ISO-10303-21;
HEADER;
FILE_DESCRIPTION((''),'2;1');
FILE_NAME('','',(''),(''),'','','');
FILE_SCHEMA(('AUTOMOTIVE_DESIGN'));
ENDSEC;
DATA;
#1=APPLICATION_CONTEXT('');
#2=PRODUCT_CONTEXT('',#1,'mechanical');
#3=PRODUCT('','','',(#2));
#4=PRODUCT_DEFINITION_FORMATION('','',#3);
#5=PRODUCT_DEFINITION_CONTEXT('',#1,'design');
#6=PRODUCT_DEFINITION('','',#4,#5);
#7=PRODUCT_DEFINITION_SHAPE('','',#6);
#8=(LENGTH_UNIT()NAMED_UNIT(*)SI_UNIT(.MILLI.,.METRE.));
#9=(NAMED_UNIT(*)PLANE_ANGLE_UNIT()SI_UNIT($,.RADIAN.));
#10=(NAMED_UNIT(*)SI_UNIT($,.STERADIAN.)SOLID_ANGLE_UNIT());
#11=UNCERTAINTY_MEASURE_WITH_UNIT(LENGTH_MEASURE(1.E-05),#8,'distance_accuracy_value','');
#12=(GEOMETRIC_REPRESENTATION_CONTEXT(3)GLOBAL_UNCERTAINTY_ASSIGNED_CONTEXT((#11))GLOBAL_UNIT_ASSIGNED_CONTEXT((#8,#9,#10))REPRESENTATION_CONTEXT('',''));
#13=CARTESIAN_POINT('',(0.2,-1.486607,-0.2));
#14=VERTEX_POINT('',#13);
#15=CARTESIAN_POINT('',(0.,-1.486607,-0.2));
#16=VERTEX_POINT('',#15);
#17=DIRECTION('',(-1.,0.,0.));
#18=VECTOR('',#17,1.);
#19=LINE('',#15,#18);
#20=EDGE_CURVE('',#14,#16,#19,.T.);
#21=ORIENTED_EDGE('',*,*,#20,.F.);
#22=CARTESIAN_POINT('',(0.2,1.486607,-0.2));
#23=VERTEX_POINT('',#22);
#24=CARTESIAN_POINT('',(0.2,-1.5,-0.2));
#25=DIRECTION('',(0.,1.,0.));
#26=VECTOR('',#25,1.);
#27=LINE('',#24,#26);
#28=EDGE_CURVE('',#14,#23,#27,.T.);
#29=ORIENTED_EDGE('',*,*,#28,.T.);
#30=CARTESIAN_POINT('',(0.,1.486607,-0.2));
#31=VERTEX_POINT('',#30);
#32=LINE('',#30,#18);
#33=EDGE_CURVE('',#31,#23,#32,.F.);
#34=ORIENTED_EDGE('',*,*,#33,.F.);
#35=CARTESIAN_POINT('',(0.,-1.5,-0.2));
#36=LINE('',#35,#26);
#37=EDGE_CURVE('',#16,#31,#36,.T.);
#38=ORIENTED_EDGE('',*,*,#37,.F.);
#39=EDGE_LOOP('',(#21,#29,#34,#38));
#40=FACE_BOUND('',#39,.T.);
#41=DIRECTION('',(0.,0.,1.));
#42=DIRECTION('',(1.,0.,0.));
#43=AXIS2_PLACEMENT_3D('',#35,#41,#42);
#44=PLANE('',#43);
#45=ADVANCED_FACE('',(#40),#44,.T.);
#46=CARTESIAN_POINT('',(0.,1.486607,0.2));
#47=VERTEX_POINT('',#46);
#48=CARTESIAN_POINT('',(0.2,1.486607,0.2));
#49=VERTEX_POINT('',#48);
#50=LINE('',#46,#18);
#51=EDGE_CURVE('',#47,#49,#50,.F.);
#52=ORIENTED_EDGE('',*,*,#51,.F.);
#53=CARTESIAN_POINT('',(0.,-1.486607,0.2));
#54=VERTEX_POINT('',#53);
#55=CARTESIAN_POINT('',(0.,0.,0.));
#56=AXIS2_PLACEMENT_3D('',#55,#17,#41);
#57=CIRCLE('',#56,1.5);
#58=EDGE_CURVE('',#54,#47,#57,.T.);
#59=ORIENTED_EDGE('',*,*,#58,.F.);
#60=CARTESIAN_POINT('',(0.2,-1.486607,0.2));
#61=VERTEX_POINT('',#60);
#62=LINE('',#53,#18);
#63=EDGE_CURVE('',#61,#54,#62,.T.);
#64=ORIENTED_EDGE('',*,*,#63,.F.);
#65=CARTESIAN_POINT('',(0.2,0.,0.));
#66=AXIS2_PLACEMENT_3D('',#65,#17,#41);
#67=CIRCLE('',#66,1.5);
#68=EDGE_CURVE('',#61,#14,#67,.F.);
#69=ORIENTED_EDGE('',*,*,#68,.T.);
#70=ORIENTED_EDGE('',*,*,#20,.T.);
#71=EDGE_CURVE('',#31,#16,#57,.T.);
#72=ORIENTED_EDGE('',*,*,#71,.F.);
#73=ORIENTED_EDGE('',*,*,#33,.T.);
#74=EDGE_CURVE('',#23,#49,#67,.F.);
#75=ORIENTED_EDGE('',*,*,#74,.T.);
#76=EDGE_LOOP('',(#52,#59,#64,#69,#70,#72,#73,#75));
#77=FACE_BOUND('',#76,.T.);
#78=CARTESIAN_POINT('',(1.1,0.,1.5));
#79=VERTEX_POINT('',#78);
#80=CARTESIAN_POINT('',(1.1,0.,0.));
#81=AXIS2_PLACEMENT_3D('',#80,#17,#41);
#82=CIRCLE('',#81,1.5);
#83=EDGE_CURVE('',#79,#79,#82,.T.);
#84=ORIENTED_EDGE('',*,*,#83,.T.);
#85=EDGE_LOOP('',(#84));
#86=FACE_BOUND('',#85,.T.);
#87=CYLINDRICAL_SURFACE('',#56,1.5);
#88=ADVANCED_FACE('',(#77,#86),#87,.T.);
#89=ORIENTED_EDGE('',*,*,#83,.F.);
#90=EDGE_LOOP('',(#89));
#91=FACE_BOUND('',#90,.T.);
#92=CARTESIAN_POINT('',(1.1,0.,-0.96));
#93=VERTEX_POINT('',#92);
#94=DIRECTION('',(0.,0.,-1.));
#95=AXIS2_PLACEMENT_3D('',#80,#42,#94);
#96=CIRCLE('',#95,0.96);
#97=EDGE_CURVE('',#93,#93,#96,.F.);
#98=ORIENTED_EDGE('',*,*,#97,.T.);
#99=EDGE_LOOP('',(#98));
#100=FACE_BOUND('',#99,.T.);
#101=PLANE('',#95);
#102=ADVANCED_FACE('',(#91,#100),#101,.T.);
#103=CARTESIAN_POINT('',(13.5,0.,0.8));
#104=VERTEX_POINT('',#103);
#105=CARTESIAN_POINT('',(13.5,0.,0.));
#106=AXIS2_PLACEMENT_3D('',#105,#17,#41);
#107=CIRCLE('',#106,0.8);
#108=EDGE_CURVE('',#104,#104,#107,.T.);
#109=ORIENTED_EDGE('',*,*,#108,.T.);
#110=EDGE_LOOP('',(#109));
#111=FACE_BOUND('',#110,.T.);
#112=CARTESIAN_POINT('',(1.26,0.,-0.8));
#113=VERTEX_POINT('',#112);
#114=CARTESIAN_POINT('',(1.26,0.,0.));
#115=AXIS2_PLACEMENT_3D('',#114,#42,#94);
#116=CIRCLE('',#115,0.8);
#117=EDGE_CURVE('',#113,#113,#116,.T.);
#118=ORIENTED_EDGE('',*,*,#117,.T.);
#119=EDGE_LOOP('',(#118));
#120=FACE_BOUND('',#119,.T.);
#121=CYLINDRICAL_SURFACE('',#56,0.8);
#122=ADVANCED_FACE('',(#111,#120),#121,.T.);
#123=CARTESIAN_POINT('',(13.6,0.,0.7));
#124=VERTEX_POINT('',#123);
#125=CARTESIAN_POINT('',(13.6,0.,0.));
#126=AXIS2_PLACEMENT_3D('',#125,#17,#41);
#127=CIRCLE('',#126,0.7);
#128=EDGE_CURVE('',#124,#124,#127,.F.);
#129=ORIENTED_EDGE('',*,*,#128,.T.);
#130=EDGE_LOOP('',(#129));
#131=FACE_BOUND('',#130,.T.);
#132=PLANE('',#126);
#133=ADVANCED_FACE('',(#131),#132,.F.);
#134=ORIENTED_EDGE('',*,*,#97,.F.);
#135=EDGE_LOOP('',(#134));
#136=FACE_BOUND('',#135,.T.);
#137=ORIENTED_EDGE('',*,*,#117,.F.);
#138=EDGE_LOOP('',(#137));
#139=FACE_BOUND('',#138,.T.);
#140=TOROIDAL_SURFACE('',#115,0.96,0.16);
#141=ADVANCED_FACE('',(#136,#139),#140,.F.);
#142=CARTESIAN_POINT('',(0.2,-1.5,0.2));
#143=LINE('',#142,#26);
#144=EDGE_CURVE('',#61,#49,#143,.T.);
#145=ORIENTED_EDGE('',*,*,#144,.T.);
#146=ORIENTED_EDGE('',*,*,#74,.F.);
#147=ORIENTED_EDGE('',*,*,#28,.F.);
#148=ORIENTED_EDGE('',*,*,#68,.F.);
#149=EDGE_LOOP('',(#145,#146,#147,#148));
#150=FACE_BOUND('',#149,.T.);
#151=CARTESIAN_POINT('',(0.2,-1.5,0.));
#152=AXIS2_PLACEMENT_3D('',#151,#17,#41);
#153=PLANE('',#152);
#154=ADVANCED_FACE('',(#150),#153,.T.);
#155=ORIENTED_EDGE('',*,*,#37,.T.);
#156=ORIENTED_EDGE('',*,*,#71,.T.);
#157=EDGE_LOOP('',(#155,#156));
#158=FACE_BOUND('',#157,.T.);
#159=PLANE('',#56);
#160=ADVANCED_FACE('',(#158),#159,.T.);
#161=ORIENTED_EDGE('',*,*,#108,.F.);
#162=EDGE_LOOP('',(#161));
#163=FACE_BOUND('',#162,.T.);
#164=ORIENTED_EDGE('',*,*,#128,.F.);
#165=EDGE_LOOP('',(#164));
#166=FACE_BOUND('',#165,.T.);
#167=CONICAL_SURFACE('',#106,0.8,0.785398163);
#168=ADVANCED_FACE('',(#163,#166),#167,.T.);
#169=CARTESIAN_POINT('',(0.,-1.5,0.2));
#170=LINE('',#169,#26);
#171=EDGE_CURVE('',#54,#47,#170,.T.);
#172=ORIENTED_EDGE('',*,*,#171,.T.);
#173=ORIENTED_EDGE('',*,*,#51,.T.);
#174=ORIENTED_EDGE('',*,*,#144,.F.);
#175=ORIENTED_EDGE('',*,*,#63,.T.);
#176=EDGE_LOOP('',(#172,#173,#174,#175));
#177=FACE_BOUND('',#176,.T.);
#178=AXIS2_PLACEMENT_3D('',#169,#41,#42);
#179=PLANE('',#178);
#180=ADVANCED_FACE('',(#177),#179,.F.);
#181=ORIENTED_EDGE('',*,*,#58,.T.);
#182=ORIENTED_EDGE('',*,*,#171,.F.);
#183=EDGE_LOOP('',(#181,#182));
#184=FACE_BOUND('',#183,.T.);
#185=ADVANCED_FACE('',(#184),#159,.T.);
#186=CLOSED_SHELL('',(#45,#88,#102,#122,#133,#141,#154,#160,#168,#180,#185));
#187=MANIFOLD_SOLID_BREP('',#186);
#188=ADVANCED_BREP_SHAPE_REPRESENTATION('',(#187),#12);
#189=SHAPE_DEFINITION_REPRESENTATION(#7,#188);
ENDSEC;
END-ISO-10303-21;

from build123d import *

# Parameters (mm, degrees)
SKETCH1_W           = 12.5
SKETCH1_H           = 0.8
CHAMFER1_SIZE       = 0.1
FILLET1_R           = 0.16
EXTRUDE1_DEPTH      = 14.764446956
EXTRUDE1_DEPTH_BACK = 14.764446956
SKETCH2_W           = 0.2
SKETCH2_H           = 0.2


with BuildPart() as part:
    # Sketch1 → Revolve1 (revolve)
    with BuildSketch(Plane.XY, mode=Mode.PRIVATE) as revolve1_sk:
        Polygon((0, 1.5), (0, 0), (1.1, 0), (1.1, 0.8), (1.1, 1.5), align=None)
        with Locations((7.35, 0.4)):
            Rectangle(SKETCH1_W, SKETCH1_H)
    revolve(revolve1_sk.sketch.rotate(Axis((0, 0, 0), (1, 0, 0)), 90), axis=Axis((0, 0, 0), (1, 0, 0)))

    # Chamfer1
    chamfer1_edges = [part.edges().sort_by_distance(p)[0] for p in [
        (13.6, 0, -0.8),
    ]]
    chamfer(chamfer1_edges, length=CHAMFER1_SIZE)

    # Fillet1
    fillet1_edges = [part.edges().sort_by_distance(p)[0] for p in [
        (1.1, 0, -0.8),
    ]]
    fillet(fillet1_edges, radius=FILLET1_R)

    # Sketch2 → Extrude1 (cut, two sides: drawn at the far end of the back side and taken through both)
    with BuildSketch(Plane(origin=(0, 0, 0), x_dir=(1, 0, 0), z_dir=(0, 1, 0)).offset(-EXTRUDE1_DEPTH_BACK)):
        with Locations((0.1, -0.1)):
            Rectangle(SKETCH2_W, SKETCH2_H)
        with Locations((0.1, 0.1)):
            Rectangle(SKETCH2_W, SKETCH2_H)
    extrude(amount=EXTRUDE1_DEPTH + EXTRUDE1_DEPTH_BACK, mode=Mode.SUBTRACT)


solid = part.part
